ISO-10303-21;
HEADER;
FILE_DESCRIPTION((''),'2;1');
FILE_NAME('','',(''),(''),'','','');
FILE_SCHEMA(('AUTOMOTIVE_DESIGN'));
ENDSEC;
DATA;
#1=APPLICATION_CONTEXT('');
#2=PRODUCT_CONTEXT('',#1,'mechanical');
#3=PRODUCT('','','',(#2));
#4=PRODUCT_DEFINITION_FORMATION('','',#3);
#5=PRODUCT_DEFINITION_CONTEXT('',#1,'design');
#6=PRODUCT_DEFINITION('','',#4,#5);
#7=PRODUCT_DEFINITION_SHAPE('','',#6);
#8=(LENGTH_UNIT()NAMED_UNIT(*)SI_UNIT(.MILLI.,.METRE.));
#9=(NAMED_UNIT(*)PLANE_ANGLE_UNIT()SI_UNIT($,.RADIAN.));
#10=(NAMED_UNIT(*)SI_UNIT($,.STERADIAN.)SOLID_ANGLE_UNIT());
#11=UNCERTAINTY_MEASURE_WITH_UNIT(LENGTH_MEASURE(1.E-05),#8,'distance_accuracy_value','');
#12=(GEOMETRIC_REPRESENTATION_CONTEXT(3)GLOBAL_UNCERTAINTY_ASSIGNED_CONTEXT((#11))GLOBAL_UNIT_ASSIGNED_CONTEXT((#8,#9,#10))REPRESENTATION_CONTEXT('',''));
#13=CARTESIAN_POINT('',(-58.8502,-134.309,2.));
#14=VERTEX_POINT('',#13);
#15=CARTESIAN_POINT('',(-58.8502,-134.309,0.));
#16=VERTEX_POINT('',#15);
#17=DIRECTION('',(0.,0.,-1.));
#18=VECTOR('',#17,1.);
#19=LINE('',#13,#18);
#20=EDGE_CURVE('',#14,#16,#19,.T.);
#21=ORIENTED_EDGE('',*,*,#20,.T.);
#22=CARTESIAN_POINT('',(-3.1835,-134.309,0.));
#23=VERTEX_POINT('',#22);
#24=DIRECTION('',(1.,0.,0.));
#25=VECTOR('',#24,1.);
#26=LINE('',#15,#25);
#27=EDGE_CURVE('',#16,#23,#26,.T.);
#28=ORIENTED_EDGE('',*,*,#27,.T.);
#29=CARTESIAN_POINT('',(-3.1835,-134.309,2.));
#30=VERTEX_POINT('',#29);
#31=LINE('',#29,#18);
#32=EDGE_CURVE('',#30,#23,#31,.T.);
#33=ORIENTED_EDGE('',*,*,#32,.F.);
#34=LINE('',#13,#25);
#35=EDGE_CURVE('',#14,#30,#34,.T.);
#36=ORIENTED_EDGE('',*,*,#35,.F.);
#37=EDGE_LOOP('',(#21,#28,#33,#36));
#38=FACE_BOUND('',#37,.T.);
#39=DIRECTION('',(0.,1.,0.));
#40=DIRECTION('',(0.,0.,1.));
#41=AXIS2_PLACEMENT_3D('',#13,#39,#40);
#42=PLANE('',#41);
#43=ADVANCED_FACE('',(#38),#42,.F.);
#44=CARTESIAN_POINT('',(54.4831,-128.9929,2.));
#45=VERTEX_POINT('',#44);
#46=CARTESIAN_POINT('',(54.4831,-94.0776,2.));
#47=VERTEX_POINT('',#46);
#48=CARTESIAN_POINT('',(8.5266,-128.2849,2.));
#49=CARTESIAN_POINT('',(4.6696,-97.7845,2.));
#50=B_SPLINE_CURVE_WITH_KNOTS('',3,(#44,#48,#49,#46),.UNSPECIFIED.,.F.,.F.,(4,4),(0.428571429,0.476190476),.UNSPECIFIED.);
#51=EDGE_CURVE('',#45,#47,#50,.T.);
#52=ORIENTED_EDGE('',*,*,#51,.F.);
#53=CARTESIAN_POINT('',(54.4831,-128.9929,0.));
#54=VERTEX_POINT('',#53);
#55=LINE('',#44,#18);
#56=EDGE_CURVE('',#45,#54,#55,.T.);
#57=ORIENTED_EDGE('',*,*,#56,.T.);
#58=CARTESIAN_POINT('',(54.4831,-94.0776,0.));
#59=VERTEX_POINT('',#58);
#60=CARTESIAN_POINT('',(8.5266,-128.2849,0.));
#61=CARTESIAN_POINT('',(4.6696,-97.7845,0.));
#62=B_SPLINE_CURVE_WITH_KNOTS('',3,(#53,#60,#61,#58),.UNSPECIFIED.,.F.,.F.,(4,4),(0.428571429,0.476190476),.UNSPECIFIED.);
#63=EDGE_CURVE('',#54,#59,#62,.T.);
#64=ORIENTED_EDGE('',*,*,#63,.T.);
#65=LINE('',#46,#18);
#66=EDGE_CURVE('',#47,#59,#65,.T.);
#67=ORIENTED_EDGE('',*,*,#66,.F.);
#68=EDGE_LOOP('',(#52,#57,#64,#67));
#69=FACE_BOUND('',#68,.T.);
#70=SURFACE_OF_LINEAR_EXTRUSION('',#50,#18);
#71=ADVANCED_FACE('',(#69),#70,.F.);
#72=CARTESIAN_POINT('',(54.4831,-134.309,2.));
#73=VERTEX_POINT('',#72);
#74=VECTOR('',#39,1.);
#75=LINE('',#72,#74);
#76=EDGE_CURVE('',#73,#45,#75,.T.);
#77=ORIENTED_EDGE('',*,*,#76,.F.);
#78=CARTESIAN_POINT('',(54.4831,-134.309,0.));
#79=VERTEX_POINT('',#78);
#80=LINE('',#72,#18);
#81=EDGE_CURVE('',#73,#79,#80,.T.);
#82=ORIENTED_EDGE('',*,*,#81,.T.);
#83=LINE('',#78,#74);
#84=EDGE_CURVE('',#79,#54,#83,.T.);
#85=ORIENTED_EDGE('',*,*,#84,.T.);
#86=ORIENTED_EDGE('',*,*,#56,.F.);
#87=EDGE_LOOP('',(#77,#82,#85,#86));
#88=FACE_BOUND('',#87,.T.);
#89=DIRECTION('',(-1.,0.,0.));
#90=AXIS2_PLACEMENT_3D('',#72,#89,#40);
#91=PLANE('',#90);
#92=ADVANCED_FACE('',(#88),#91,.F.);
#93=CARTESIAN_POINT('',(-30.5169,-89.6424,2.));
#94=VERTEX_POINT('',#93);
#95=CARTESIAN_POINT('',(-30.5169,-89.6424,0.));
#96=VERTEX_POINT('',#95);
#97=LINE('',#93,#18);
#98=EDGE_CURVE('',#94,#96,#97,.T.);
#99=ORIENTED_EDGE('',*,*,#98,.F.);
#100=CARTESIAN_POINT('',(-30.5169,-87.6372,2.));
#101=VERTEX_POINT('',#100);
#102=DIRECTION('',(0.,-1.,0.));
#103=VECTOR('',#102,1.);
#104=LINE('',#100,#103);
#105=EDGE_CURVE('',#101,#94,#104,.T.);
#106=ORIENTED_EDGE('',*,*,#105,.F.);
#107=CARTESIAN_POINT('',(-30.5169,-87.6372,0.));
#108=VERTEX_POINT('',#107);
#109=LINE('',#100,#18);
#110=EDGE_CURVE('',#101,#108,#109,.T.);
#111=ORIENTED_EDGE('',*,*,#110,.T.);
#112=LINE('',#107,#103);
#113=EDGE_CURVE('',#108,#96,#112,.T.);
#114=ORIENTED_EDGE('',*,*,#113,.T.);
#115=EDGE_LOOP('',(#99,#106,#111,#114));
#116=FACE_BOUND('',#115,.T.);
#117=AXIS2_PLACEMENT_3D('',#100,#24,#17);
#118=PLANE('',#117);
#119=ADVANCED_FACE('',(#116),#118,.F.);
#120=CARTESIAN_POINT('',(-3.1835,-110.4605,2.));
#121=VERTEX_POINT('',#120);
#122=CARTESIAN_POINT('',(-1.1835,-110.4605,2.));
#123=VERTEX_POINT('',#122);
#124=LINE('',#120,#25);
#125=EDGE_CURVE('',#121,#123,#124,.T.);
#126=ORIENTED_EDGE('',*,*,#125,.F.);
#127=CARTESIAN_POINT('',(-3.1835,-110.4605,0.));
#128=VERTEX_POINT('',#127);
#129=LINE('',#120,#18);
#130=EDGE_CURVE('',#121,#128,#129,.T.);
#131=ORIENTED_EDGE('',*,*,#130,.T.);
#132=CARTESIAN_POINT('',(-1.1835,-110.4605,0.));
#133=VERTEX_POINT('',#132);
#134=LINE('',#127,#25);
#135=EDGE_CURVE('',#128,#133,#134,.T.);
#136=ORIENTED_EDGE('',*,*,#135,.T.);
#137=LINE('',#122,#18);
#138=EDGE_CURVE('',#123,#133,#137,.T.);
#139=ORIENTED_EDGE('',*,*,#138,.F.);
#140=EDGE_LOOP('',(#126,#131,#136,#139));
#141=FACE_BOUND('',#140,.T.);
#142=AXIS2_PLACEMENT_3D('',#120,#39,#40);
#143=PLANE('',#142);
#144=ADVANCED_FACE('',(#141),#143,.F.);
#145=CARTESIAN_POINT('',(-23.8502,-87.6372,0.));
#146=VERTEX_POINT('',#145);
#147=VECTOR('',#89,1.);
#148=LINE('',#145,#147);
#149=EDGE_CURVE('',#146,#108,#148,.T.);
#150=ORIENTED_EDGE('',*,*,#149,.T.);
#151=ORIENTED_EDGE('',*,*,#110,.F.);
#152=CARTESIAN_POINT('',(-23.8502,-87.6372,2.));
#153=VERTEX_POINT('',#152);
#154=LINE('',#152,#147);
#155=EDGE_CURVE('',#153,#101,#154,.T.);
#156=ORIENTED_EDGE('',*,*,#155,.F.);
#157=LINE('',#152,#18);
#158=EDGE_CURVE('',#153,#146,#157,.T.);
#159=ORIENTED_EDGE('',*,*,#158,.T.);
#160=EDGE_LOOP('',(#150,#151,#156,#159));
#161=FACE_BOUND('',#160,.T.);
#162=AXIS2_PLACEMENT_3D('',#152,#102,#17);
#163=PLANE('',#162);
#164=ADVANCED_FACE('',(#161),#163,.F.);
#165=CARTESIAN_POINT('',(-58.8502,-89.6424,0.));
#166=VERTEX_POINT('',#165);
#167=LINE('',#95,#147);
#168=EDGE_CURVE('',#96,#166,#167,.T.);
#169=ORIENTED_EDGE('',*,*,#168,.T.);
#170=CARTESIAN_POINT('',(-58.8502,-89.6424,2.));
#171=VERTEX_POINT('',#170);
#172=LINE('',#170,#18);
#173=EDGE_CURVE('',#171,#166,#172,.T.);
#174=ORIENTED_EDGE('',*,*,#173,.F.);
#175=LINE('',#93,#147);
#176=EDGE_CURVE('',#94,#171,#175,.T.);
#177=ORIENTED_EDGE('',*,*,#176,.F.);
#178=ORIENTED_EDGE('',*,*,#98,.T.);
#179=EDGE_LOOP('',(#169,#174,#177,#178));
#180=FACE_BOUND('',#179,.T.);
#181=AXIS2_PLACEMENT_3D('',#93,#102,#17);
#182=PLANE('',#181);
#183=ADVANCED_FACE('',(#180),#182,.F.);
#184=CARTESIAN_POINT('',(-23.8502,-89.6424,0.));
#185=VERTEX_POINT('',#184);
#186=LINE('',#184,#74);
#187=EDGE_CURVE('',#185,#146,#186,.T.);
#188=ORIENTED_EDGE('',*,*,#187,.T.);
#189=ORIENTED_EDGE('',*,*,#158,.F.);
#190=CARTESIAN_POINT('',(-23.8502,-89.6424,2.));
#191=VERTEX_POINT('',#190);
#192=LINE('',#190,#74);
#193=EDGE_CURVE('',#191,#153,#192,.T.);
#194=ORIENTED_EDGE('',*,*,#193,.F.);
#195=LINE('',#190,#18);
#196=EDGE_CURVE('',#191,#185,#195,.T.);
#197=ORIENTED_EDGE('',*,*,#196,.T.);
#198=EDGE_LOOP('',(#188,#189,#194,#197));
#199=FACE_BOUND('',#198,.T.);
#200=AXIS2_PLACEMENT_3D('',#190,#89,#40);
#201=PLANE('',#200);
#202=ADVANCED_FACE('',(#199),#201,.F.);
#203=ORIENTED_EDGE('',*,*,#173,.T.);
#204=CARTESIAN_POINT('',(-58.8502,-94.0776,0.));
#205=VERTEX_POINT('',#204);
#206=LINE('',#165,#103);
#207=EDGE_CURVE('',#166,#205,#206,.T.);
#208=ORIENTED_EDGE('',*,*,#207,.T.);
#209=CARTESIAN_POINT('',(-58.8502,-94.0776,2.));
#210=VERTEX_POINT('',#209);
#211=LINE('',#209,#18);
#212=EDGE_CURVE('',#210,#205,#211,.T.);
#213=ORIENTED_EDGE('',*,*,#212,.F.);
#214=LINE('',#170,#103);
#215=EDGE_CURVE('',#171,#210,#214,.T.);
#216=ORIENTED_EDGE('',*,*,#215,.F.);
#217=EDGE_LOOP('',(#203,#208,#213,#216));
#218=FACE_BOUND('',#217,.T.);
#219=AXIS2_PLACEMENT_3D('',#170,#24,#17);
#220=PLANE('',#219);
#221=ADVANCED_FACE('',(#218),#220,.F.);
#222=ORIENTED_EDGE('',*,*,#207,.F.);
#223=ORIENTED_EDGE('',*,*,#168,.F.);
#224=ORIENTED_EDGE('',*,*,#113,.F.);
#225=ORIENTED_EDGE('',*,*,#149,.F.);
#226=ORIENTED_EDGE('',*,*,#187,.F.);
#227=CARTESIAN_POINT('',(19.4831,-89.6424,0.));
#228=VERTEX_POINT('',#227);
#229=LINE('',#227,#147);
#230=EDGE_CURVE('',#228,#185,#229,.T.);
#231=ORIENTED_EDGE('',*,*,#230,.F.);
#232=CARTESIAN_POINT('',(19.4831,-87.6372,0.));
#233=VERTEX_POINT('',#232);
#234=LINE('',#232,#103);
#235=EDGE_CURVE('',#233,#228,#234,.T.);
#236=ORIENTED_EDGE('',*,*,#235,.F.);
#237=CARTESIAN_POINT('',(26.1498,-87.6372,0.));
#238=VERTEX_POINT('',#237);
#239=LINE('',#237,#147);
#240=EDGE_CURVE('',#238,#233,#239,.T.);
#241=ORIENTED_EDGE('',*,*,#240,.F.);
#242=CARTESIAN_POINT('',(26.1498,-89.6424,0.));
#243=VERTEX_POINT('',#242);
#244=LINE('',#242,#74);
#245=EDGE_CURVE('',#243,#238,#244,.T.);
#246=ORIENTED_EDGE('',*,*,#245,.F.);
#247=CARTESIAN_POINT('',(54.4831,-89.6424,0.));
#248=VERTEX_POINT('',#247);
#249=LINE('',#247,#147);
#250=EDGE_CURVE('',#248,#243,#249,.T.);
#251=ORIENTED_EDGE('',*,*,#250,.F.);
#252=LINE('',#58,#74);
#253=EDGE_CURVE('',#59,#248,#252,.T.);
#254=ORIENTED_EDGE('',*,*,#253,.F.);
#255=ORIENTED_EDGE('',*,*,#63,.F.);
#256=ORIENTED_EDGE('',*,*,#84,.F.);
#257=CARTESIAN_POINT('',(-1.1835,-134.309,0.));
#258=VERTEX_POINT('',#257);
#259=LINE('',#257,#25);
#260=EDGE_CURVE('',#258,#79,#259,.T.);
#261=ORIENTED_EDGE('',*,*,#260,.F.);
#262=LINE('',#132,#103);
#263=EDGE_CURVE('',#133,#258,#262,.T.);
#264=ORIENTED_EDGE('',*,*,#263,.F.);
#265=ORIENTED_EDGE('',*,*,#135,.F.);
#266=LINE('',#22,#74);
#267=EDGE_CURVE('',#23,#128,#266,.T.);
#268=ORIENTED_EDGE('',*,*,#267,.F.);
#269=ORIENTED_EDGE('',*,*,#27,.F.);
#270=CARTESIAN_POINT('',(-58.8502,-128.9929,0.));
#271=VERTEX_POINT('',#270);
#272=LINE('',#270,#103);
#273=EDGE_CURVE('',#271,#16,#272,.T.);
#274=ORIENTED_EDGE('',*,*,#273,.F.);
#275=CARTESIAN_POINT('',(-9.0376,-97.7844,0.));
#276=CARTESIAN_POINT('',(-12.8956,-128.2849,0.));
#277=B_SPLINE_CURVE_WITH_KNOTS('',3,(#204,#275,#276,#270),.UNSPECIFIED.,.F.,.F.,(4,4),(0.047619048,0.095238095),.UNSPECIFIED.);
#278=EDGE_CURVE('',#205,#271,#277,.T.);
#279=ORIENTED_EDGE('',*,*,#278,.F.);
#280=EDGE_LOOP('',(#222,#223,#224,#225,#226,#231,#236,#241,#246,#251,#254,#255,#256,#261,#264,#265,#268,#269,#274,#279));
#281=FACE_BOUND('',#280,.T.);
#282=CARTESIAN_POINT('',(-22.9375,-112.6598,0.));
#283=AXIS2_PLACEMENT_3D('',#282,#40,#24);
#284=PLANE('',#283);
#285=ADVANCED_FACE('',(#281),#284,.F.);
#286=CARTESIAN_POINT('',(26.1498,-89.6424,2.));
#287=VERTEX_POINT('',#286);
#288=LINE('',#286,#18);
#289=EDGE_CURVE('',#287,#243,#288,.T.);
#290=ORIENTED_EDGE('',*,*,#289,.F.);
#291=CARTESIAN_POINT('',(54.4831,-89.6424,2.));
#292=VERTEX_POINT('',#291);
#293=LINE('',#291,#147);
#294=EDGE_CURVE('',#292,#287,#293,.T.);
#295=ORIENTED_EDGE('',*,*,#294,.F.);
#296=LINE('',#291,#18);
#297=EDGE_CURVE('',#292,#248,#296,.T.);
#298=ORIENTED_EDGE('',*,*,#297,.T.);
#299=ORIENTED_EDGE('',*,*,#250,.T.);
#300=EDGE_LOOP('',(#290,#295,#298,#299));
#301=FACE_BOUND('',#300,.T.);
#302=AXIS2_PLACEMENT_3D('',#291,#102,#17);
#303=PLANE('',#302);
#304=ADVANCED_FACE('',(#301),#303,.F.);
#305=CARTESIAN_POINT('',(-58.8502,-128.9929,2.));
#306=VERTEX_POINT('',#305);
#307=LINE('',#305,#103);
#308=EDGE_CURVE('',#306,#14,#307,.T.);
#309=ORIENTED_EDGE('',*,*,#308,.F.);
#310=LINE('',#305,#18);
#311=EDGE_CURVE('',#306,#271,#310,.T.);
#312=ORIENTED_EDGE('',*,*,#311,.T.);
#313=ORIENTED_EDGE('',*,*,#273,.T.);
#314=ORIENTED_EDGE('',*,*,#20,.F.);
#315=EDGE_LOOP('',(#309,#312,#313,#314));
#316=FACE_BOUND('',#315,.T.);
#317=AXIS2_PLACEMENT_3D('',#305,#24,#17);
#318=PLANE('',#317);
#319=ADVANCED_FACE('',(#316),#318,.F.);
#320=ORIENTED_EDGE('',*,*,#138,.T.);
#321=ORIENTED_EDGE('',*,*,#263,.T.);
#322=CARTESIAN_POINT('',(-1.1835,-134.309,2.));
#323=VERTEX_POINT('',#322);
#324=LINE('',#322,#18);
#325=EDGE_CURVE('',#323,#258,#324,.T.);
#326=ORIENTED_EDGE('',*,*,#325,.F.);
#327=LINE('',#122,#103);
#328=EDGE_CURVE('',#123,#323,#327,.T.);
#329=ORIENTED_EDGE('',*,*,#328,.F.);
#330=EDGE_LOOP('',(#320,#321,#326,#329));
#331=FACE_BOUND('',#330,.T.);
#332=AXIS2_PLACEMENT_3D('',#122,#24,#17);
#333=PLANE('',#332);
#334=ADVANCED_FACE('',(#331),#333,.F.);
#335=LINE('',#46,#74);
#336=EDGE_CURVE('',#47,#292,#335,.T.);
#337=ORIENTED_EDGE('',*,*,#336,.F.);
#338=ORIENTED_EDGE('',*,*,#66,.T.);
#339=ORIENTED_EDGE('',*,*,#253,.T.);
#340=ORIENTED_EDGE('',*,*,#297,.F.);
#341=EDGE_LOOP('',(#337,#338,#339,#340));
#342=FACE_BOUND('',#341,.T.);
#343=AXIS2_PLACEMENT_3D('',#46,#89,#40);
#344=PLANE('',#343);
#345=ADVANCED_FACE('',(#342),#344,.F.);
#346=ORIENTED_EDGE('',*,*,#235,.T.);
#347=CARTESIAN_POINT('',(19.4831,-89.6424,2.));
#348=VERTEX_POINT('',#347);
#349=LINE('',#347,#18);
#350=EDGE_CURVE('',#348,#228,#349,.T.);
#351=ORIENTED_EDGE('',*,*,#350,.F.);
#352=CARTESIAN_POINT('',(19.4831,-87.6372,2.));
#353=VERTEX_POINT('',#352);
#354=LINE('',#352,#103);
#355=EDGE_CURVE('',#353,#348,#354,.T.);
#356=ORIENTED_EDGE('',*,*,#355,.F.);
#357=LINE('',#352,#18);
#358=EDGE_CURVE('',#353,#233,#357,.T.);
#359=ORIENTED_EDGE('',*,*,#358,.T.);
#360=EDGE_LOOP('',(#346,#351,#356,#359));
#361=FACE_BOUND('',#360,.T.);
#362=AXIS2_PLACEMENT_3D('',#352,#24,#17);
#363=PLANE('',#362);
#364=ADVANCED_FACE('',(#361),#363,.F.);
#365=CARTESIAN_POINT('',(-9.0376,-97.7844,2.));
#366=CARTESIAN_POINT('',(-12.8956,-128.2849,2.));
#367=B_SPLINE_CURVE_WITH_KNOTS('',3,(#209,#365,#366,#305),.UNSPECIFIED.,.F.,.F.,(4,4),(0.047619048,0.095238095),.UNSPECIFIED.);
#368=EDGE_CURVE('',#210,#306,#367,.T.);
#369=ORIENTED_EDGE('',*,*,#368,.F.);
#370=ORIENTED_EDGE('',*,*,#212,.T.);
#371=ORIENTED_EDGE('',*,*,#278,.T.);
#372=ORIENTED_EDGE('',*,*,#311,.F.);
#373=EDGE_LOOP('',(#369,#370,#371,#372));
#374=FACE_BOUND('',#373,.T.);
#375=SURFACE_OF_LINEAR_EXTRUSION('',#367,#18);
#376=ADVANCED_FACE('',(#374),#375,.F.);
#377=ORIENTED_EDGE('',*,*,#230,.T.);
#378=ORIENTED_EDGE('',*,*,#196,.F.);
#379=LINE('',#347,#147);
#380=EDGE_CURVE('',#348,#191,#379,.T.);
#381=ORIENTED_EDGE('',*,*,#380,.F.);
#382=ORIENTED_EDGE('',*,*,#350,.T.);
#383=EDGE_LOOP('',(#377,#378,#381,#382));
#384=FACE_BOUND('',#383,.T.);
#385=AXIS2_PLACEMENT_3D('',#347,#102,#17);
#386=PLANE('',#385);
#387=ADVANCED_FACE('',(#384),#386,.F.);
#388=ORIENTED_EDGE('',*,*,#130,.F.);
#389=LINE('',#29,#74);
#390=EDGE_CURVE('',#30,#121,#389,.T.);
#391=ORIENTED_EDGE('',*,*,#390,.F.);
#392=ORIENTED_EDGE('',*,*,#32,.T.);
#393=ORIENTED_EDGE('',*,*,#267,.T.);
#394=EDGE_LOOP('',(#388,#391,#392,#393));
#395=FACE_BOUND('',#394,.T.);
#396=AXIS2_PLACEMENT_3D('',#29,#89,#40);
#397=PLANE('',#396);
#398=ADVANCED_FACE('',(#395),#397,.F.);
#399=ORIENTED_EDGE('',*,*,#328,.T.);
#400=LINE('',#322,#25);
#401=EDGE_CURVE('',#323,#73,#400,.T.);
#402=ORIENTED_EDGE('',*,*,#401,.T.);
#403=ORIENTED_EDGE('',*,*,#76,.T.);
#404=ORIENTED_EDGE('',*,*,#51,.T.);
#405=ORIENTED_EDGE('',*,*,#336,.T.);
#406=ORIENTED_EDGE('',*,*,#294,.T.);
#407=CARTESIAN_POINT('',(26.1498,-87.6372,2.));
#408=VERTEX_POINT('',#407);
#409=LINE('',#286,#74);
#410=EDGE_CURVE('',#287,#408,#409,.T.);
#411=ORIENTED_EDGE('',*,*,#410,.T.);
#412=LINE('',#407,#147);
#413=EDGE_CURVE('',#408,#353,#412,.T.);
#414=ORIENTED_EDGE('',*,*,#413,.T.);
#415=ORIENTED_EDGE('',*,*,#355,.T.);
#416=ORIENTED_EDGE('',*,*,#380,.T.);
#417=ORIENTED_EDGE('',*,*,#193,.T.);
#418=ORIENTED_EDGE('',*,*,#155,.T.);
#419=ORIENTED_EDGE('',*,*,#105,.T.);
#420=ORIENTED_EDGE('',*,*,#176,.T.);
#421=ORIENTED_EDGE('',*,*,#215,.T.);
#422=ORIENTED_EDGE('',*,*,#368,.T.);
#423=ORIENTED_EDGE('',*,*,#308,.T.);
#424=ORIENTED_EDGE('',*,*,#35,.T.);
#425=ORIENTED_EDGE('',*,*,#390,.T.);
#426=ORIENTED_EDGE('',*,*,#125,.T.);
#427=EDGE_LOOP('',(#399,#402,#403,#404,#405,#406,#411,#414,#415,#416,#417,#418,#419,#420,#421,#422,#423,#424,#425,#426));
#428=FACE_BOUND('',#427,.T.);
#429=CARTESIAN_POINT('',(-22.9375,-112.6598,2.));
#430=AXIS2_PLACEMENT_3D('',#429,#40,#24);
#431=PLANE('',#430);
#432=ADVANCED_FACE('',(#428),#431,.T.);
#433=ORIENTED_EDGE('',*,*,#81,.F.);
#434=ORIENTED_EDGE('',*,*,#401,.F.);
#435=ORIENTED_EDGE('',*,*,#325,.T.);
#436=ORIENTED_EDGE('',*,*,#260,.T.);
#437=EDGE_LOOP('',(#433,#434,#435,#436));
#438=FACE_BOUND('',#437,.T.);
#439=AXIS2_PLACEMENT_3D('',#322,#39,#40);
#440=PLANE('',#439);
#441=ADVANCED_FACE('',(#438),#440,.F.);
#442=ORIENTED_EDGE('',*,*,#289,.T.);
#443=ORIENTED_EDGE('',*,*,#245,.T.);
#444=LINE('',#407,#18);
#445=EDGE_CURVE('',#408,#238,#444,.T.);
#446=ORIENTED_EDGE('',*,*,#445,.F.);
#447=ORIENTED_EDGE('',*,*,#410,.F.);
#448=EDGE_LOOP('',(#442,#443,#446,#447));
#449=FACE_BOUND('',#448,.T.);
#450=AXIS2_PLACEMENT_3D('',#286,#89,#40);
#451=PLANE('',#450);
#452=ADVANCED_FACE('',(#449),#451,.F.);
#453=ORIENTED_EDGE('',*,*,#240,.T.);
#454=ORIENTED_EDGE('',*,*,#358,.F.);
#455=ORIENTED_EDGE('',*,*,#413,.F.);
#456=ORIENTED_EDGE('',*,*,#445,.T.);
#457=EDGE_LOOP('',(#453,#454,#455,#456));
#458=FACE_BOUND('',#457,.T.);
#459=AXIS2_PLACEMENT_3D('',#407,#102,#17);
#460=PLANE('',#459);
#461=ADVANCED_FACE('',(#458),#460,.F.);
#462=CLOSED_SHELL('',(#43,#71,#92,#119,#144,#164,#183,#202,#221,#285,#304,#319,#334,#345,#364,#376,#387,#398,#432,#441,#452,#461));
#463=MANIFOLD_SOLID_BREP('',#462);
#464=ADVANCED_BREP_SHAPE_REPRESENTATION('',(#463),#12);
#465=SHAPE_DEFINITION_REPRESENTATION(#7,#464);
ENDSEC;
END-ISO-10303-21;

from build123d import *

# Parameters (mm, degrees)
RESSALTO_EXTRUS_O1_DEPTH = 2


with BuildPart() as part:
    # Model → Ressalto-extrusão1 (new body)
    with BuildSketch(Plane.XY):
        with BuildLine():
            Line((-58.8502, -89.6424), (-58.8502, -94.0776))
            add(Edge.make_bspline(
                [(-58.8502, -94.0776), (-9.0376, -97.7844), (-12.8956, -128.2849), (-58.8502, -128.9929)],
                knots=[0.047619048, 0.047619048, 0.047619048, 0.047619048, 0.095238095, 0.095238095, 0.095238095, 0.095238095], degree=3))
            Line((-58.8502, -128.9929), (-58.8502, -134.309))
            Line((-58.8502, -134.309), (-3.1835, -134.309))
            Line((-3.1835, -134.309), (-3.1835, -110.4605))
            Line((-3.1835, -110.4605), (-1.1835, -110.4605))
            Line((-1.1835, -110.4605), (-1.1835, -134.309))
            Line((-1.1835, -134.309), (54.4831, -134.309))
            Line((54.4831, -134.309), (54.4831, -128.9929))
            add(Edge.make_bspline(
                [(54.4831, -128.9929), (8.5266, -128.2849), (4.6696, -97.7845), (54.4831, -94.0776)],
                knots=[0.428571429, 0.428571429, 0.428571429, 0.428571429, 0.476190476, 0.476190476, 0.476190476, 0.476190476], degree=3))
            Line((54.4831, -94.0776), (54.4831, -89.6424))
            Line((54.4831, -89.6424), (26.1498, -89.6424))
            Line((26.1498, -89.6424), (26.1498, -87.6372))
            Line((26.1498, -87.6372), (19.4831, -87.6372))
            Line((19.4831, -87.6372), (19.4831, -89.6424))
            Line((19.4831, -89.6424), (-23.8502, -89.6424))
            Line((-23.8502, -89.6424), (-23.8502, -87.6372))
            Line((-23.8502, -87.6372), (-30.5169, -87.6372))
            Line((-30.5169, -87.6372), (-30.5169, -89.6424))
            Line((-30.5169, -89.6424), (-58.8502, -89.6424))
        make_face()
    extrude(amount=RESSALTO_EXTRUS_O1_DEPTH)


solid = part.part
